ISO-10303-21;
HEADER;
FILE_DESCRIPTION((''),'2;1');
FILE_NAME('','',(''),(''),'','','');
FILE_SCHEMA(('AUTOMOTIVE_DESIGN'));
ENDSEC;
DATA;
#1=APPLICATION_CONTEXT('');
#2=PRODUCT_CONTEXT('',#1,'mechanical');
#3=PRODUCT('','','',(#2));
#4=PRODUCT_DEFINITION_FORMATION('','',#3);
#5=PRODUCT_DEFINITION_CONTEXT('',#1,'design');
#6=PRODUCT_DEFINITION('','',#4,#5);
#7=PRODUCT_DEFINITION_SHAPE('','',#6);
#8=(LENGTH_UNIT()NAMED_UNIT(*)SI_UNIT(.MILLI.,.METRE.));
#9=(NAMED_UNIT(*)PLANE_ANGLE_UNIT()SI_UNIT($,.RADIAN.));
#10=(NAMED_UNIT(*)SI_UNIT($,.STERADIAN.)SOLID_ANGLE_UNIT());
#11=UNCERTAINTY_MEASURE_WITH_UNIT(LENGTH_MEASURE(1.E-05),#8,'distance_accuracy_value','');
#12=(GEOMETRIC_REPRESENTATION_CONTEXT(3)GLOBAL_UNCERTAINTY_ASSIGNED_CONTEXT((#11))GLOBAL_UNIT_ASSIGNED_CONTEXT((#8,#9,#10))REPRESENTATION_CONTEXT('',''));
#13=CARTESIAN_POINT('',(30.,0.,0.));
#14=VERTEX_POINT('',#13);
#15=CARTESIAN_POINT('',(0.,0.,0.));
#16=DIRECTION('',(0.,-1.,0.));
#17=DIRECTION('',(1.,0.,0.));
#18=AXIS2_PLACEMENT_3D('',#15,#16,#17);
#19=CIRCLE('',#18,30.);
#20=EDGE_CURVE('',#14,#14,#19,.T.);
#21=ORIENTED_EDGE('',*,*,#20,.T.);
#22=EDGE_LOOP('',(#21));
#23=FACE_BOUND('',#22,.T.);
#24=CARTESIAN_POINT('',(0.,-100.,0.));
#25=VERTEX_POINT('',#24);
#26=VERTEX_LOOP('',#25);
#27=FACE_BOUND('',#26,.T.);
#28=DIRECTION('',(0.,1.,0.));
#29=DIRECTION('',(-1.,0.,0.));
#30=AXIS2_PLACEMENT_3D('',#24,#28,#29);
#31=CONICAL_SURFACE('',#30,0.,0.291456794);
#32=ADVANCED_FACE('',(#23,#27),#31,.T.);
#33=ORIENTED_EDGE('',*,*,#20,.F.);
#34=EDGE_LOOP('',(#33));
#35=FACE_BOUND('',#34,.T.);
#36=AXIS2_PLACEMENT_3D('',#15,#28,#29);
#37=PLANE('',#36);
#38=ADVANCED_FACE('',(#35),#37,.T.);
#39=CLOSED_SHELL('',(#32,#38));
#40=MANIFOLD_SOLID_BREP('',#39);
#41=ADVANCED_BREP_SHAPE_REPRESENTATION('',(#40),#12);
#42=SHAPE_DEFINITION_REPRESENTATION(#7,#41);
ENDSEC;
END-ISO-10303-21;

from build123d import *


with BuildPart() as part:
    # Sketch2 → Revolve1 (revolve)
    with BuildSketch(Plane.XY, mode=Mode.PRIVATE) as revolve1_sk:
        Polygon((0, 0), (30, 0), (0, -100), align=None)
    revolve(revolve1_sk.sketch.rotate(Axis((0, -100, 0), (0, 1, 0)), 180), axis=Axis((0, -100, 0), (0, 1, 0)))


solid = part.part
